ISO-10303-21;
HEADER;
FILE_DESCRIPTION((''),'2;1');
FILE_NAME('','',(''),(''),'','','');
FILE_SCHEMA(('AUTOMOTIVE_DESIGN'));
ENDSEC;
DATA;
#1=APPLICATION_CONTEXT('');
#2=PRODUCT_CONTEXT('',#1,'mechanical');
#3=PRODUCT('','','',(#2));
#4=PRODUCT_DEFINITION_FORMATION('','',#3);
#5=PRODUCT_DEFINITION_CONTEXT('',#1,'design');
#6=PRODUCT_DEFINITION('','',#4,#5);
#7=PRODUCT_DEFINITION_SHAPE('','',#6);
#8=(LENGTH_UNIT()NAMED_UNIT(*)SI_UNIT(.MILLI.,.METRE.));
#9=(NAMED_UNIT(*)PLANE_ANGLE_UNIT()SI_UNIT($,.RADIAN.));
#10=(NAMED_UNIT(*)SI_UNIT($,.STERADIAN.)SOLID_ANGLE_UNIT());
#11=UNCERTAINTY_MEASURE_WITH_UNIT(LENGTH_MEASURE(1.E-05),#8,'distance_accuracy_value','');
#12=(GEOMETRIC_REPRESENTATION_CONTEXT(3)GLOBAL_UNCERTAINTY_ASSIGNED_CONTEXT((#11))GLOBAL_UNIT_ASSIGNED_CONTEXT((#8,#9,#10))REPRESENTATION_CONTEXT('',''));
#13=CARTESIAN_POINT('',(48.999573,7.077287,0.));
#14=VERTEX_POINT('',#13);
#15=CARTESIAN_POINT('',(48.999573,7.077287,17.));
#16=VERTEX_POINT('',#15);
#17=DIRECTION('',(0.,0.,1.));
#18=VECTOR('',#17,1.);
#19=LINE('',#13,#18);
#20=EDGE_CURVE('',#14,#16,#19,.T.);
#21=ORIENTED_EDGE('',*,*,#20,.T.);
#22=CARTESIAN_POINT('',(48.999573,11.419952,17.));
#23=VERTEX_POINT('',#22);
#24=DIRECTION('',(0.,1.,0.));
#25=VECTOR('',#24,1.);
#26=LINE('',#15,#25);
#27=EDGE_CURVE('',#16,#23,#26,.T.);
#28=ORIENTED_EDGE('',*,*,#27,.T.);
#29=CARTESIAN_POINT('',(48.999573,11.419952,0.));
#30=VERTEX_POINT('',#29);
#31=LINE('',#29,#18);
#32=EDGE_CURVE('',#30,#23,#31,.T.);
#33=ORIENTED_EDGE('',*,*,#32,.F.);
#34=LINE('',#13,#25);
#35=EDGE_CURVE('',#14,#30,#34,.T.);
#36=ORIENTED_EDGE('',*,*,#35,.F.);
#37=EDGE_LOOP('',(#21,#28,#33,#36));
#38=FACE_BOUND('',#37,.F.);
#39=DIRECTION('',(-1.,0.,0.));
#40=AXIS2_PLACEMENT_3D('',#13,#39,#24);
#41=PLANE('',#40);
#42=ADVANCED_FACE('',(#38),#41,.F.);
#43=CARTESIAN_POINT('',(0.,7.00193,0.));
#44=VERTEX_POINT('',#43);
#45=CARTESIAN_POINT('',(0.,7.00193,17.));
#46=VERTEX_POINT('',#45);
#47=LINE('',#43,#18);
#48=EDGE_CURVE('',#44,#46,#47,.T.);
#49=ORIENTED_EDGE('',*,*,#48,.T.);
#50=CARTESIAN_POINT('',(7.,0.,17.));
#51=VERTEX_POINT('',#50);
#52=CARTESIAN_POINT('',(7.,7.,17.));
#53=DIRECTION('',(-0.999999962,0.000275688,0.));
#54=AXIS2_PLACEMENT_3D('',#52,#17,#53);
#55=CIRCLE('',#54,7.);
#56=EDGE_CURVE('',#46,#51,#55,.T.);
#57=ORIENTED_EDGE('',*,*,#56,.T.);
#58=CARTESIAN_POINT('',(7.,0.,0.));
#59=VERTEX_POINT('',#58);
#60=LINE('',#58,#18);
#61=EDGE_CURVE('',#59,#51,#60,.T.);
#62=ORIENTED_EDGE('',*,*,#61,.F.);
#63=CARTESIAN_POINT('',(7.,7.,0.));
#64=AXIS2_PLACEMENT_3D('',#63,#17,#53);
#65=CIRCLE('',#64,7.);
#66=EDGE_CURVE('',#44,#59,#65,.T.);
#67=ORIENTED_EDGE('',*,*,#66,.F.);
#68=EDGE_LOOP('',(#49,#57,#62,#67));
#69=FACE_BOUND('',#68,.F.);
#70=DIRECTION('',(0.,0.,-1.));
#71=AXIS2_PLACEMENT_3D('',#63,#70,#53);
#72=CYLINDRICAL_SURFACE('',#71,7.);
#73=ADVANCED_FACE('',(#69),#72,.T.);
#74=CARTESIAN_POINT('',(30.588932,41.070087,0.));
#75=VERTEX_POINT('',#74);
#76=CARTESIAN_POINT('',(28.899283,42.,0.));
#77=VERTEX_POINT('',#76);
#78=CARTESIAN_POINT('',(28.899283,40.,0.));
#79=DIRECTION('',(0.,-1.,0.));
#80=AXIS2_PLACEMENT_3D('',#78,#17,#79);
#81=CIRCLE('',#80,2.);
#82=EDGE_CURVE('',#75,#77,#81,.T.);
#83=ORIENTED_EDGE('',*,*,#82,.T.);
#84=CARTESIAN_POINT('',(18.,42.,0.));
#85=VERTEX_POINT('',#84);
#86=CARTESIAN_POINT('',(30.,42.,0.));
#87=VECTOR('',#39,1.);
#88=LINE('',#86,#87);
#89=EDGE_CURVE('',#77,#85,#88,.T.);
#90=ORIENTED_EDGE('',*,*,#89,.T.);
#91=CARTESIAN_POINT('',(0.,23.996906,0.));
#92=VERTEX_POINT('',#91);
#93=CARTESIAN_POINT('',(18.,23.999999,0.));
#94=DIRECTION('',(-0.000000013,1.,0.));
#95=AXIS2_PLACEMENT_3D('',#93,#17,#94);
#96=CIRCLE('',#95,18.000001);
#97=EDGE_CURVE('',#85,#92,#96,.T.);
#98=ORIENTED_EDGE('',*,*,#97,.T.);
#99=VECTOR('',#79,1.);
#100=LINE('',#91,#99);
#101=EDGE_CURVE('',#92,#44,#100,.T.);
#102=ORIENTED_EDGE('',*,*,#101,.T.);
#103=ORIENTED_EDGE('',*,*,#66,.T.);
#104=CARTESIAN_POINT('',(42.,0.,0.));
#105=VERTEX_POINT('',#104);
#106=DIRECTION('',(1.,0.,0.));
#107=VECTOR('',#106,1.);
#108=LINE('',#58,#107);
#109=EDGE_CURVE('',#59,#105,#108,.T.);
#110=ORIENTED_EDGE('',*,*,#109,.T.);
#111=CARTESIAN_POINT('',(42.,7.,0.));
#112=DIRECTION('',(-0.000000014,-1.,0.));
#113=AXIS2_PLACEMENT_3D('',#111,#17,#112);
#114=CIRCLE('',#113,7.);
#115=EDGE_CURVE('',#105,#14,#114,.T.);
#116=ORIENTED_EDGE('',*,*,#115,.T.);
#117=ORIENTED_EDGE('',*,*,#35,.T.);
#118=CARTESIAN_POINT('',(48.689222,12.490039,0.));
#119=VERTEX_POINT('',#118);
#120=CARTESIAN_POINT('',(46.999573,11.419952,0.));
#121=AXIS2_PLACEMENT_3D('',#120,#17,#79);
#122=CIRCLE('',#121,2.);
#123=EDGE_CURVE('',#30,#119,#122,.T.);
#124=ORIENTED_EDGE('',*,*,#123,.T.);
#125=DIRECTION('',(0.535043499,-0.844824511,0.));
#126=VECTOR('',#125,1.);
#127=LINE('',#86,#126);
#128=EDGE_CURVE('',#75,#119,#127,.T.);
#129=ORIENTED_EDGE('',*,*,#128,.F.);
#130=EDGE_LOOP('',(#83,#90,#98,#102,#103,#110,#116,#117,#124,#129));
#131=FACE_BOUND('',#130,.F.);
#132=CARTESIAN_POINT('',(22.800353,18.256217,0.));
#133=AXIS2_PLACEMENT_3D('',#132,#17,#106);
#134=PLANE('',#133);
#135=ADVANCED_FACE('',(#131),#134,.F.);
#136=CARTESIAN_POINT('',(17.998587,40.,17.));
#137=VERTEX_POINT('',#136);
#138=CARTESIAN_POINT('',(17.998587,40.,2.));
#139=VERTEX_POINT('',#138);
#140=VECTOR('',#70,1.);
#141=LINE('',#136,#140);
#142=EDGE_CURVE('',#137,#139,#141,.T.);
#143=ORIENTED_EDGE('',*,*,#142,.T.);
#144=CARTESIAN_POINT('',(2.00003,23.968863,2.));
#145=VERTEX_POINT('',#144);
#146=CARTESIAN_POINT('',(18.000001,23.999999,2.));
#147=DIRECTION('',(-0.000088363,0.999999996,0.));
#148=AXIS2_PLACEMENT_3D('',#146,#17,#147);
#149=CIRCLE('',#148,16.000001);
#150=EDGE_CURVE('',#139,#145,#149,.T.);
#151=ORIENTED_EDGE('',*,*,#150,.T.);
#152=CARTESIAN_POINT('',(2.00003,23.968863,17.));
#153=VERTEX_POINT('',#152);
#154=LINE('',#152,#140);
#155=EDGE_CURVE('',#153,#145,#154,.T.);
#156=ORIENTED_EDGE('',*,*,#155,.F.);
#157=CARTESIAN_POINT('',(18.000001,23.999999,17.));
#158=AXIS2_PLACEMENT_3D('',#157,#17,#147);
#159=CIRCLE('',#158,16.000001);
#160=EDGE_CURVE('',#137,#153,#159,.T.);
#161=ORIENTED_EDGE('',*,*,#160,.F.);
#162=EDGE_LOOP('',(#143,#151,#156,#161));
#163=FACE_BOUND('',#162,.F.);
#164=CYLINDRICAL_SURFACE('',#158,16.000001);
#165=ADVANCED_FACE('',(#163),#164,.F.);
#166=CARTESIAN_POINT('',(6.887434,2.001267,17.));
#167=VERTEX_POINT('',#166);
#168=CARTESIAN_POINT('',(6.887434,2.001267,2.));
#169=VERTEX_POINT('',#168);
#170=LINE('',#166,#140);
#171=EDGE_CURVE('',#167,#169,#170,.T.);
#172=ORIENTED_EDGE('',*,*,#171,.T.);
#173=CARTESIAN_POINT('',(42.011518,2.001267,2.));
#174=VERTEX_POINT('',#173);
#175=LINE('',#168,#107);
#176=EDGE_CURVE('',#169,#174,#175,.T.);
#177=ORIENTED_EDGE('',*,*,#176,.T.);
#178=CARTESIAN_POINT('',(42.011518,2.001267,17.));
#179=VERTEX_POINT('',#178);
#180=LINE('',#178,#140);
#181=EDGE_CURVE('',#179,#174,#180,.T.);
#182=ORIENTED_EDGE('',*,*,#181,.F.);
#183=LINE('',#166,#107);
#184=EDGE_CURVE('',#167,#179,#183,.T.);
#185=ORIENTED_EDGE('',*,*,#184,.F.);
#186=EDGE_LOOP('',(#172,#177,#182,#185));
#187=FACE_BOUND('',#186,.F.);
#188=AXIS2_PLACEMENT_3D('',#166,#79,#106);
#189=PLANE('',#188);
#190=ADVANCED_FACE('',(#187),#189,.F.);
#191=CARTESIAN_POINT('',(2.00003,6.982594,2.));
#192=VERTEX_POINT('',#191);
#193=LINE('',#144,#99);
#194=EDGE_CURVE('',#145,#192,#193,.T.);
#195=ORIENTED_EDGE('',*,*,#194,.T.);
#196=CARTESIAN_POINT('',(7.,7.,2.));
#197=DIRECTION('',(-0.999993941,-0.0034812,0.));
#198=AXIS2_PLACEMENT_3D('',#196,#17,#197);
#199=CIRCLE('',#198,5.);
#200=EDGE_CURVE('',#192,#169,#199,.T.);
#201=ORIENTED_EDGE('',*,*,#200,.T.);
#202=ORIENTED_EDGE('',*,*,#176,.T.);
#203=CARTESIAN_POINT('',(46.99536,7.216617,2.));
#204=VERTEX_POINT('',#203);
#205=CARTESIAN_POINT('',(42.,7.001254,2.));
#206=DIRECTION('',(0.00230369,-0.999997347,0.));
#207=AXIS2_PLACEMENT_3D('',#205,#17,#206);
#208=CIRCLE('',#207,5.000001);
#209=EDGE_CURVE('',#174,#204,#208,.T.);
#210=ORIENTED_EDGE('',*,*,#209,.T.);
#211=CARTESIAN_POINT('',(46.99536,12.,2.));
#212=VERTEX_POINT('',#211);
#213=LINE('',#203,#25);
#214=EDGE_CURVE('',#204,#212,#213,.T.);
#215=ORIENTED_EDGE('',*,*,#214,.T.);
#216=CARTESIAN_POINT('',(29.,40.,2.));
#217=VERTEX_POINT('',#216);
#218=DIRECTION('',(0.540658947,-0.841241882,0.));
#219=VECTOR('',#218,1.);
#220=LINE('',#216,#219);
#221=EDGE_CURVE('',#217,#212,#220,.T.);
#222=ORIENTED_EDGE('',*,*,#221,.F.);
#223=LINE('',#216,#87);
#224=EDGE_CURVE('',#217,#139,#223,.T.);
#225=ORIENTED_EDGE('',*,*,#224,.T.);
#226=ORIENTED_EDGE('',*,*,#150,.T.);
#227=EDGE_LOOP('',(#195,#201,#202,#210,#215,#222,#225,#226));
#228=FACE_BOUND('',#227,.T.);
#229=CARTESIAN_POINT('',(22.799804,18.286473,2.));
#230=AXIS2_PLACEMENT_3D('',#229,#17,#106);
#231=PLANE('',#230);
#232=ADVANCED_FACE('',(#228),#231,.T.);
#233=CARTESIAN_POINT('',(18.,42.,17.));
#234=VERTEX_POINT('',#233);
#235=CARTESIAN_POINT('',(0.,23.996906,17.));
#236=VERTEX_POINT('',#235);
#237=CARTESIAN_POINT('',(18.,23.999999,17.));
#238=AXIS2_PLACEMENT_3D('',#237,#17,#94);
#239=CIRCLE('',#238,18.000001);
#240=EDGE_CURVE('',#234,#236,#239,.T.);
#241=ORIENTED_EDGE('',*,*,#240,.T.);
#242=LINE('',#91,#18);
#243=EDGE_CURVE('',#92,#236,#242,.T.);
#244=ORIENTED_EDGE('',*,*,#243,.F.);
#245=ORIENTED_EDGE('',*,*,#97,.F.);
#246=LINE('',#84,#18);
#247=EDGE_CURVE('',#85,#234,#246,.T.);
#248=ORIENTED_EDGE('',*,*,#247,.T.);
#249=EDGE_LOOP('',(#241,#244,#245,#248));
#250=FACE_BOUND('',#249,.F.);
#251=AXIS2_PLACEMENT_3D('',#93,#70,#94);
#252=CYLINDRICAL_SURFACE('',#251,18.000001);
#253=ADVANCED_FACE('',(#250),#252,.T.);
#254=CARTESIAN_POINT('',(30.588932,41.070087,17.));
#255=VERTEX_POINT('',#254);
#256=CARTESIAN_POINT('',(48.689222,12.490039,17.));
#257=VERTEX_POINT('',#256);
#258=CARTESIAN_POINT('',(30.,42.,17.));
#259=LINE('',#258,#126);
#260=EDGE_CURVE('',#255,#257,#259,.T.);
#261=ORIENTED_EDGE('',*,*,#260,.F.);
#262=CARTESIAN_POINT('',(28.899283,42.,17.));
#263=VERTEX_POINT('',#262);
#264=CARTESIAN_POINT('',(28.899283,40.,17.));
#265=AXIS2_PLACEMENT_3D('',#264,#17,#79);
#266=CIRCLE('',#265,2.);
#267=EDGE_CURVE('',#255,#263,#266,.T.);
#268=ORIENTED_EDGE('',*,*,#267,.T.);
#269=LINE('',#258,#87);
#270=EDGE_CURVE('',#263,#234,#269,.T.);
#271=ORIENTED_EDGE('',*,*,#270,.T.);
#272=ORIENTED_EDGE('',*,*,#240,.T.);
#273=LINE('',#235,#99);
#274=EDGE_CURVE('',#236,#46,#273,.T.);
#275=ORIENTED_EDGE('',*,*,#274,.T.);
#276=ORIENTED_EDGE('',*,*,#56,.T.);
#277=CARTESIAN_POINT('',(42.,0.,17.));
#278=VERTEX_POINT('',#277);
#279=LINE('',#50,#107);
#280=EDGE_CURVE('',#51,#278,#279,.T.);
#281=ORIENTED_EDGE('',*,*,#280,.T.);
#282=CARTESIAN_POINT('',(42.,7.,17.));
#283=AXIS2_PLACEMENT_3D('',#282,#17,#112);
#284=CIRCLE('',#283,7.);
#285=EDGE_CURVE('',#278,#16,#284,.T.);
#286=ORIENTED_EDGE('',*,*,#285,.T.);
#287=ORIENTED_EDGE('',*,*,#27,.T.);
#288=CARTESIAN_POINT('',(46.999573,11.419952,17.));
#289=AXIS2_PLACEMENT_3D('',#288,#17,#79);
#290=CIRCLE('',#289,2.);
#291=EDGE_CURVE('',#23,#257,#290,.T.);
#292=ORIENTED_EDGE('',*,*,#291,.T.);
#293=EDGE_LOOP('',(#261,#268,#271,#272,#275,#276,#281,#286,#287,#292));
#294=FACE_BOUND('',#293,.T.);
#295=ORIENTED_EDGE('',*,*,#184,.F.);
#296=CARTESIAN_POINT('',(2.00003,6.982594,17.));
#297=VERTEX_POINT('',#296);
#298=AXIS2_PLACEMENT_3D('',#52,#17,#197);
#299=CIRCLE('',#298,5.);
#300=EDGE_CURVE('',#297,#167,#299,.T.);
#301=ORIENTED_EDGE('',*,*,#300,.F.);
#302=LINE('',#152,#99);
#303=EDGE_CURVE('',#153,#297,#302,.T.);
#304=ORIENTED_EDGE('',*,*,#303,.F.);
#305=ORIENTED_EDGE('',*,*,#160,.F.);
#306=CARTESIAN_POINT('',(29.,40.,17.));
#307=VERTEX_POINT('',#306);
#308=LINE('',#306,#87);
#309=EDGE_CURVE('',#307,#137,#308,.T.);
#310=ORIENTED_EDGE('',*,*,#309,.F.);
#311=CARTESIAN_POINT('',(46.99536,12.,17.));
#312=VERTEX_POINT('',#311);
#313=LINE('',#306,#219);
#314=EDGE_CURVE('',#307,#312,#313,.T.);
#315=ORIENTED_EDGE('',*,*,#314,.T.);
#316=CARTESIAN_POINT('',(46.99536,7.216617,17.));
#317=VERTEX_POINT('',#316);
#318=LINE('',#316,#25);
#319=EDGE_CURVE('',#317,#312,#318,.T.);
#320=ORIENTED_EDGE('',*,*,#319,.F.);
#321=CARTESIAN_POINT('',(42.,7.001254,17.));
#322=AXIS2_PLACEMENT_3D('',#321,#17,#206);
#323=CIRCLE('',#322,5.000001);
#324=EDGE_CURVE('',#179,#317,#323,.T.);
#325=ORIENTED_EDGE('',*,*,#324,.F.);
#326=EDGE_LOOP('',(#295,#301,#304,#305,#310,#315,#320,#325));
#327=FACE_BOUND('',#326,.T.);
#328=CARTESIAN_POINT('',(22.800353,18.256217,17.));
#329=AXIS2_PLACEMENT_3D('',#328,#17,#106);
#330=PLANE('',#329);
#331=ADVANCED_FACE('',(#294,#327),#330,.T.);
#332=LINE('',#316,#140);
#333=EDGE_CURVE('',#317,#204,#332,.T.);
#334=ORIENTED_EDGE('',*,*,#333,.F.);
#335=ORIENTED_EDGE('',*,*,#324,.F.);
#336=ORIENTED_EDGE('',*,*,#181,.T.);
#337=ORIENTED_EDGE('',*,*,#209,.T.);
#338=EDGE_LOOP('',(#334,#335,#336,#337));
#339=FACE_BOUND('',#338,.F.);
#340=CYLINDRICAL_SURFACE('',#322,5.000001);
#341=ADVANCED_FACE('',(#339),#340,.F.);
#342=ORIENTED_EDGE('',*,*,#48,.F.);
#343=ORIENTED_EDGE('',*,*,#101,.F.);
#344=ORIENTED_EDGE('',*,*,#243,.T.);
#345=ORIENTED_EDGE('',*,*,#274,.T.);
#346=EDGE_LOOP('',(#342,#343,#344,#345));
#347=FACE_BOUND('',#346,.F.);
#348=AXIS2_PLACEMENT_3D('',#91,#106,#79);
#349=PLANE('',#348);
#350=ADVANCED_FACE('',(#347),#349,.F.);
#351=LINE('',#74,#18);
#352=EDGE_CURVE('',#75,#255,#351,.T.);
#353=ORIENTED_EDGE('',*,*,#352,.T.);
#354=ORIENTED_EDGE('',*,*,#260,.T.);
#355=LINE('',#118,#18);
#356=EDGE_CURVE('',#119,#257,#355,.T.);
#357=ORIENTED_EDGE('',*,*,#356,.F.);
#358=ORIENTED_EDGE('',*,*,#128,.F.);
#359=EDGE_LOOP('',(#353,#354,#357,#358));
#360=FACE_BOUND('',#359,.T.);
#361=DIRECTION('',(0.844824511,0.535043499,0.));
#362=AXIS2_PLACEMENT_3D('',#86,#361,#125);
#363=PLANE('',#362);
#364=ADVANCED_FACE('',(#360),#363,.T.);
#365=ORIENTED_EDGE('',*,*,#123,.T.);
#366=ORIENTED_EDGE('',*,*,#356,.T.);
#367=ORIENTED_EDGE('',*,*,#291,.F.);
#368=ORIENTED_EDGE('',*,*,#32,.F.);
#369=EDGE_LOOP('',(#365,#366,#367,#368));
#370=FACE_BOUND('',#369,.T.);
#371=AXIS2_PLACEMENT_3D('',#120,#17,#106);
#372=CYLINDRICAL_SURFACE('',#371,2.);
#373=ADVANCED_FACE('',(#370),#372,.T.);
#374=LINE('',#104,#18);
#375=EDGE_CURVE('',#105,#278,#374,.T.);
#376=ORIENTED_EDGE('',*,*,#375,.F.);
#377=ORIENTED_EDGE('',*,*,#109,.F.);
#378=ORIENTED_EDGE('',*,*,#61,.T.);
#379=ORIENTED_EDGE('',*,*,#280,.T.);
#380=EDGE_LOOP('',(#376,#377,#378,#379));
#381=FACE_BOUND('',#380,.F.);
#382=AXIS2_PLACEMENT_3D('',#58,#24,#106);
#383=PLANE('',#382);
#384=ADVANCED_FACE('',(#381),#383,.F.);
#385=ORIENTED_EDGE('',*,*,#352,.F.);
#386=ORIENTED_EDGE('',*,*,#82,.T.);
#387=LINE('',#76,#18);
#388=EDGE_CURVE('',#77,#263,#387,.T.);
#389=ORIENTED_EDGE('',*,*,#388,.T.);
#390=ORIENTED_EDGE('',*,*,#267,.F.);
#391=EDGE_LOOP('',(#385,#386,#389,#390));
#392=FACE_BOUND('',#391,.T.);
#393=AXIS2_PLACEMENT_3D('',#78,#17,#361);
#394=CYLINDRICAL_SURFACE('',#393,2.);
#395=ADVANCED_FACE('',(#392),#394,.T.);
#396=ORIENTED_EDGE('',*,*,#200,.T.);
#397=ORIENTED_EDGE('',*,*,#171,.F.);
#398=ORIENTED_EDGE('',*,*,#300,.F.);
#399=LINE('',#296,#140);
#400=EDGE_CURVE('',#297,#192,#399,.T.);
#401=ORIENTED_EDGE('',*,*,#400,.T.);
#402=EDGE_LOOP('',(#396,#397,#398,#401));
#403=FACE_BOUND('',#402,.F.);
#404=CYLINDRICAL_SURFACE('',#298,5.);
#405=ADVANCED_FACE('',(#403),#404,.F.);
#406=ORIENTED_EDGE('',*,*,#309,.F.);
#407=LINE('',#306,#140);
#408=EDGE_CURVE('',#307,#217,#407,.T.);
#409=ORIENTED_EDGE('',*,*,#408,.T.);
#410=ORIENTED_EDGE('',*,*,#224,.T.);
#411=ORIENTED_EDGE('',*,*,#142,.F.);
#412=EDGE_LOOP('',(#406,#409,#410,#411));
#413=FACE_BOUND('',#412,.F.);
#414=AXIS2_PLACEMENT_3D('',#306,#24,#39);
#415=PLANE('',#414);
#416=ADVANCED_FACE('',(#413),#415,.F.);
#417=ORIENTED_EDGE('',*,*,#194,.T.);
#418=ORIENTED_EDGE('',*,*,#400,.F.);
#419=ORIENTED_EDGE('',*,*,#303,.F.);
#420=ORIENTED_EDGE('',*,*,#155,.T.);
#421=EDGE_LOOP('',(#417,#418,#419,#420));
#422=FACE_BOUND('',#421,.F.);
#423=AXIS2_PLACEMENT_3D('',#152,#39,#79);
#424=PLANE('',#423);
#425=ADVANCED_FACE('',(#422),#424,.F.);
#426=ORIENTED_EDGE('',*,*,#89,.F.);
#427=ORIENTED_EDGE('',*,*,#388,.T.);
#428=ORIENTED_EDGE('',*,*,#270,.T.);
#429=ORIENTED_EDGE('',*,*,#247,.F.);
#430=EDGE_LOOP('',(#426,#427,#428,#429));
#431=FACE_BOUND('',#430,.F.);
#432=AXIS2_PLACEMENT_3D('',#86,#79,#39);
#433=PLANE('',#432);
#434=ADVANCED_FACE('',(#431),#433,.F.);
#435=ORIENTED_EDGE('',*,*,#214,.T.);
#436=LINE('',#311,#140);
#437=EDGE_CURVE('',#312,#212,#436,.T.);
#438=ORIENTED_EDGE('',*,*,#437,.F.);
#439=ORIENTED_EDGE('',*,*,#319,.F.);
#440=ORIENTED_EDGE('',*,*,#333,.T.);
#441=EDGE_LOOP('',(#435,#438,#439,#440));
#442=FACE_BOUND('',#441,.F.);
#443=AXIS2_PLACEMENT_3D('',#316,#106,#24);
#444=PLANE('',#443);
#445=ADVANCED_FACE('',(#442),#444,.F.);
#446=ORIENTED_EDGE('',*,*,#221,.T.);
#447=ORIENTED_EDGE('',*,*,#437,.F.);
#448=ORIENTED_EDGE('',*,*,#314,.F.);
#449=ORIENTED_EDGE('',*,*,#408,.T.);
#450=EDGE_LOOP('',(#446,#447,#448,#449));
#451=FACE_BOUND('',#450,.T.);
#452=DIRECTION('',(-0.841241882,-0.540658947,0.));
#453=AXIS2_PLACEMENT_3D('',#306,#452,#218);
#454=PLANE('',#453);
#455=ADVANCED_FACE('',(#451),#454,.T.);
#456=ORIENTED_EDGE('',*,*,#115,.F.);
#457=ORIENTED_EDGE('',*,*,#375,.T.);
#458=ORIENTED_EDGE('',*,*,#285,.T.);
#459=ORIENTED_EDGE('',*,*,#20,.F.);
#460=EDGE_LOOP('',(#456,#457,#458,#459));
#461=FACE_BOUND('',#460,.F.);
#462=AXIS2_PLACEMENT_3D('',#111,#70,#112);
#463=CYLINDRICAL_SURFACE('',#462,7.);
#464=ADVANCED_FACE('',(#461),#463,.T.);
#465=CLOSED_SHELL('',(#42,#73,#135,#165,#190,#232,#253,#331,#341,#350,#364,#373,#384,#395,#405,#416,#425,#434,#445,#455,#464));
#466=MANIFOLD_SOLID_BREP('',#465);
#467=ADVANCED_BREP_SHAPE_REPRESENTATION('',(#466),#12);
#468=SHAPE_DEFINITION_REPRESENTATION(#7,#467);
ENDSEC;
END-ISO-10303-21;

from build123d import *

# Parameters (mm, degrees)
PAD_DEPTH    = 17
POCKET_DEPTH = 15
FILLET_R     = 2


with BuildPart() as part:
    # Sketch → Pad (new body)
    with BuildSketch(Plane.XY):
        with BuildLine():
            Line((7, 0), (42, 0))
            ThreePointArc((42, 0), (46.976998, 2.077654), (48.999573, 7.077287))
            Line((48.999573, 7.077287), (48.999573, 12))
            Line((30, 42), (48.999573, 12))
            Line((30, 42), (18, 42))
            ThreePointArc((18, 42), (5.270984, 36.726828), (0, 23.996906))
            Line((0, 23.996906), (0, 7.00193))
            ThreePointArc((0, 7.00193), (2.04957, 2.050935), (7, 0))
        make_face()
    extrude(amount=PAD_DEPTH)

    # Sketch001 → Pocket (cut)
    with BuildSketch(Plane.XY.offset(17)):
        with BuildLine():
            Line((6.887434, 2.001267), (42.011518, 2.001267))
            ThreePointArc((42.011518, 2.001267), (45.614855, 3.546862), (46.99536, 7.216617))
            Line((46.99536, 7.216617), (46.99536, 12))
            Line((29, 40), (46.99536, 12))
            Line((29, 40), (17.998587, 40))
            ThreePointArc((17.998587, 40), (6.674789, 35.302194), (2.00003, 23.968863))
            Line((2.00003, 23.968863), (2.00003, 6.982594))
            ThreePointArc((2.00003, 6.982594), (3.430979, 3.498273), (6.887434, 2.001267))
        make_face()
    extrude(amount=-POCKET_DEPTH, mode=Mode.SUBTRACT)

    # Fillet
    fillet_edges = [part.edges().sort_by_distance(p)[0] for p in [
        (48.999573, 12, 8.5),
        (30, 42, 8.5),
    ]]
    fillet(fillet_edges, radius=FILLET_R)


solid = part.part
